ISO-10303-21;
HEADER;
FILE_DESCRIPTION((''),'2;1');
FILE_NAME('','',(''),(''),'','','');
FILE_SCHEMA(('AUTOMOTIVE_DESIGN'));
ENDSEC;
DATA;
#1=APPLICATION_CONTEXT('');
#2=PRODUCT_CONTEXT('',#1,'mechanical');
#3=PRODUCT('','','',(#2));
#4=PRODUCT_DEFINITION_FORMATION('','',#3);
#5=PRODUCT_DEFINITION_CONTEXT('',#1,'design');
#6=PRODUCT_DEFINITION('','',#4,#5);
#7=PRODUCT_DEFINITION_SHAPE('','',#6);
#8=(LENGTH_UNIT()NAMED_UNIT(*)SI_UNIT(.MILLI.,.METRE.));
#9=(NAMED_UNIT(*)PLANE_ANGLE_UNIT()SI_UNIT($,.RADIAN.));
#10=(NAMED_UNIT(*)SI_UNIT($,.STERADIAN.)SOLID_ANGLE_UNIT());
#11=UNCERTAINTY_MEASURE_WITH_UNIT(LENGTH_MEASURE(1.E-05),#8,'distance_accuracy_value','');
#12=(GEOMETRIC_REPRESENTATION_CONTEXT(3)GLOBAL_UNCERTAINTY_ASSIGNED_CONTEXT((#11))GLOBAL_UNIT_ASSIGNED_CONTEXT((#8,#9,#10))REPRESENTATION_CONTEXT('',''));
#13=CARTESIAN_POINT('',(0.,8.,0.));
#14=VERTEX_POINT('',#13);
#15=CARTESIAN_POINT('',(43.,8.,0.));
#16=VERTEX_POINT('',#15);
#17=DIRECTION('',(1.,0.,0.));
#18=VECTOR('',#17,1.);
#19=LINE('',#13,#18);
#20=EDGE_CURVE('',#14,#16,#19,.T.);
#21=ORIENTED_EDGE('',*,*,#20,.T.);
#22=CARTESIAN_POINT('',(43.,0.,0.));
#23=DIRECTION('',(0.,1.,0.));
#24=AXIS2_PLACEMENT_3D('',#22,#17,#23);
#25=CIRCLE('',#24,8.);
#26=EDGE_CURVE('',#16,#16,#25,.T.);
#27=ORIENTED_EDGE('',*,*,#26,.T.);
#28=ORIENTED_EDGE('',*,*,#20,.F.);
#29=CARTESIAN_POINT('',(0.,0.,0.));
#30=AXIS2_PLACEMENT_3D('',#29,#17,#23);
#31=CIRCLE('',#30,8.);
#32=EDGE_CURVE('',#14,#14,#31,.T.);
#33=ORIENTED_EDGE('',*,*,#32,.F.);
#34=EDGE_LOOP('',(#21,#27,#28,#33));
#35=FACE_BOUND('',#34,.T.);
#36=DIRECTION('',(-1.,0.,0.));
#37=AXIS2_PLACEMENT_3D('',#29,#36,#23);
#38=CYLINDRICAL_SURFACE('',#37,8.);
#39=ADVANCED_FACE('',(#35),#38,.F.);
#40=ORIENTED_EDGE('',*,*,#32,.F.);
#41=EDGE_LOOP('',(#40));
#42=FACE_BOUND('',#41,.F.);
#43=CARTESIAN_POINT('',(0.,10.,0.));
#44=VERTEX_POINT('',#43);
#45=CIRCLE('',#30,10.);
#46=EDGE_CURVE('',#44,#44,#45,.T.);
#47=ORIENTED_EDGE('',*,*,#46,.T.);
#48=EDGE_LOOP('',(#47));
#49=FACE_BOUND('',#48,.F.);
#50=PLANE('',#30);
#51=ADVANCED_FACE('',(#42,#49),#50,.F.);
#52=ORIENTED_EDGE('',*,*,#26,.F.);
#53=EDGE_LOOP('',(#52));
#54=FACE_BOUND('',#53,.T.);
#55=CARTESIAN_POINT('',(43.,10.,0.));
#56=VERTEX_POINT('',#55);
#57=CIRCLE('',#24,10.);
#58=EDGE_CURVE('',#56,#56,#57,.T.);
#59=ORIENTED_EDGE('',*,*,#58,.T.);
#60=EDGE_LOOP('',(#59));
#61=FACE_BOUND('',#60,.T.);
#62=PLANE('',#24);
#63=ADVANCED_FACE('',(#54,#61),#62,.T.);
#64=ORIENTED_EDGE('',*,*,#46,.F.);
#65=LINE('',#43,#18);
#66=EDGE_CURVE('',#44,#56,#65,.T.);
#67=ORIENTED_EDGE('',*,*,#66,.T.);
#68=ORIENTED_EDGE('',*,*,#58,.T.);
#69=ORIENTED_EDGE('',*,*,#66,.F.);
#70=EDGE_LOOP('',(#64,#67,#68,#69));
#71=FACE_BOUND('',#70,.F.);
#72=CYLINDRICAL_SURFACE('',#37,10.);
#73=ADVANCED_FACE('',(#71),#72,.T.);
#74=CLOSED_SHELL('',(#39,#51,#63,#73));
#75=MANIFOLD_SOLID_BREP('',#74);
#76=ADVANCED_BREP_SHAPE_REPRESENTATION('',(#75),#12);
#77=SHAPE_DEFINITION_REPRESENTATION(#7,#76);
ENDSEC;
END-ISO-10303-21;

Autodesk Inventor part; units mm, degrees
ref_plane "YZ Plane" through (0, 0, 0) normal (1, 0, 0) x (0, 1, 0)
ref_plane "XZ Plane" through (0, 0, 0) normal (0, 1, 0) x (-1, 0, 0)
ref_plane "XY Plane" through (0, 0, 0) normal (0, 0, 1) x (1, 0, 0)
sketch "スケッチ1" plane through (0, 0, 0) normal (1, 0, 0) x (0, 1, 0)
  circle A0 centre (0, 0) radius 10
  circle A1 centre (0, 0) radius 8
  dimension "d0" = 20
  dimension "d1" = 16
extrude "押し出し1" add sketch "スケッチ1" along normal blind 43
properties part number "roja-v1-Shaft-rotate" material "アルミニウム 6061"
